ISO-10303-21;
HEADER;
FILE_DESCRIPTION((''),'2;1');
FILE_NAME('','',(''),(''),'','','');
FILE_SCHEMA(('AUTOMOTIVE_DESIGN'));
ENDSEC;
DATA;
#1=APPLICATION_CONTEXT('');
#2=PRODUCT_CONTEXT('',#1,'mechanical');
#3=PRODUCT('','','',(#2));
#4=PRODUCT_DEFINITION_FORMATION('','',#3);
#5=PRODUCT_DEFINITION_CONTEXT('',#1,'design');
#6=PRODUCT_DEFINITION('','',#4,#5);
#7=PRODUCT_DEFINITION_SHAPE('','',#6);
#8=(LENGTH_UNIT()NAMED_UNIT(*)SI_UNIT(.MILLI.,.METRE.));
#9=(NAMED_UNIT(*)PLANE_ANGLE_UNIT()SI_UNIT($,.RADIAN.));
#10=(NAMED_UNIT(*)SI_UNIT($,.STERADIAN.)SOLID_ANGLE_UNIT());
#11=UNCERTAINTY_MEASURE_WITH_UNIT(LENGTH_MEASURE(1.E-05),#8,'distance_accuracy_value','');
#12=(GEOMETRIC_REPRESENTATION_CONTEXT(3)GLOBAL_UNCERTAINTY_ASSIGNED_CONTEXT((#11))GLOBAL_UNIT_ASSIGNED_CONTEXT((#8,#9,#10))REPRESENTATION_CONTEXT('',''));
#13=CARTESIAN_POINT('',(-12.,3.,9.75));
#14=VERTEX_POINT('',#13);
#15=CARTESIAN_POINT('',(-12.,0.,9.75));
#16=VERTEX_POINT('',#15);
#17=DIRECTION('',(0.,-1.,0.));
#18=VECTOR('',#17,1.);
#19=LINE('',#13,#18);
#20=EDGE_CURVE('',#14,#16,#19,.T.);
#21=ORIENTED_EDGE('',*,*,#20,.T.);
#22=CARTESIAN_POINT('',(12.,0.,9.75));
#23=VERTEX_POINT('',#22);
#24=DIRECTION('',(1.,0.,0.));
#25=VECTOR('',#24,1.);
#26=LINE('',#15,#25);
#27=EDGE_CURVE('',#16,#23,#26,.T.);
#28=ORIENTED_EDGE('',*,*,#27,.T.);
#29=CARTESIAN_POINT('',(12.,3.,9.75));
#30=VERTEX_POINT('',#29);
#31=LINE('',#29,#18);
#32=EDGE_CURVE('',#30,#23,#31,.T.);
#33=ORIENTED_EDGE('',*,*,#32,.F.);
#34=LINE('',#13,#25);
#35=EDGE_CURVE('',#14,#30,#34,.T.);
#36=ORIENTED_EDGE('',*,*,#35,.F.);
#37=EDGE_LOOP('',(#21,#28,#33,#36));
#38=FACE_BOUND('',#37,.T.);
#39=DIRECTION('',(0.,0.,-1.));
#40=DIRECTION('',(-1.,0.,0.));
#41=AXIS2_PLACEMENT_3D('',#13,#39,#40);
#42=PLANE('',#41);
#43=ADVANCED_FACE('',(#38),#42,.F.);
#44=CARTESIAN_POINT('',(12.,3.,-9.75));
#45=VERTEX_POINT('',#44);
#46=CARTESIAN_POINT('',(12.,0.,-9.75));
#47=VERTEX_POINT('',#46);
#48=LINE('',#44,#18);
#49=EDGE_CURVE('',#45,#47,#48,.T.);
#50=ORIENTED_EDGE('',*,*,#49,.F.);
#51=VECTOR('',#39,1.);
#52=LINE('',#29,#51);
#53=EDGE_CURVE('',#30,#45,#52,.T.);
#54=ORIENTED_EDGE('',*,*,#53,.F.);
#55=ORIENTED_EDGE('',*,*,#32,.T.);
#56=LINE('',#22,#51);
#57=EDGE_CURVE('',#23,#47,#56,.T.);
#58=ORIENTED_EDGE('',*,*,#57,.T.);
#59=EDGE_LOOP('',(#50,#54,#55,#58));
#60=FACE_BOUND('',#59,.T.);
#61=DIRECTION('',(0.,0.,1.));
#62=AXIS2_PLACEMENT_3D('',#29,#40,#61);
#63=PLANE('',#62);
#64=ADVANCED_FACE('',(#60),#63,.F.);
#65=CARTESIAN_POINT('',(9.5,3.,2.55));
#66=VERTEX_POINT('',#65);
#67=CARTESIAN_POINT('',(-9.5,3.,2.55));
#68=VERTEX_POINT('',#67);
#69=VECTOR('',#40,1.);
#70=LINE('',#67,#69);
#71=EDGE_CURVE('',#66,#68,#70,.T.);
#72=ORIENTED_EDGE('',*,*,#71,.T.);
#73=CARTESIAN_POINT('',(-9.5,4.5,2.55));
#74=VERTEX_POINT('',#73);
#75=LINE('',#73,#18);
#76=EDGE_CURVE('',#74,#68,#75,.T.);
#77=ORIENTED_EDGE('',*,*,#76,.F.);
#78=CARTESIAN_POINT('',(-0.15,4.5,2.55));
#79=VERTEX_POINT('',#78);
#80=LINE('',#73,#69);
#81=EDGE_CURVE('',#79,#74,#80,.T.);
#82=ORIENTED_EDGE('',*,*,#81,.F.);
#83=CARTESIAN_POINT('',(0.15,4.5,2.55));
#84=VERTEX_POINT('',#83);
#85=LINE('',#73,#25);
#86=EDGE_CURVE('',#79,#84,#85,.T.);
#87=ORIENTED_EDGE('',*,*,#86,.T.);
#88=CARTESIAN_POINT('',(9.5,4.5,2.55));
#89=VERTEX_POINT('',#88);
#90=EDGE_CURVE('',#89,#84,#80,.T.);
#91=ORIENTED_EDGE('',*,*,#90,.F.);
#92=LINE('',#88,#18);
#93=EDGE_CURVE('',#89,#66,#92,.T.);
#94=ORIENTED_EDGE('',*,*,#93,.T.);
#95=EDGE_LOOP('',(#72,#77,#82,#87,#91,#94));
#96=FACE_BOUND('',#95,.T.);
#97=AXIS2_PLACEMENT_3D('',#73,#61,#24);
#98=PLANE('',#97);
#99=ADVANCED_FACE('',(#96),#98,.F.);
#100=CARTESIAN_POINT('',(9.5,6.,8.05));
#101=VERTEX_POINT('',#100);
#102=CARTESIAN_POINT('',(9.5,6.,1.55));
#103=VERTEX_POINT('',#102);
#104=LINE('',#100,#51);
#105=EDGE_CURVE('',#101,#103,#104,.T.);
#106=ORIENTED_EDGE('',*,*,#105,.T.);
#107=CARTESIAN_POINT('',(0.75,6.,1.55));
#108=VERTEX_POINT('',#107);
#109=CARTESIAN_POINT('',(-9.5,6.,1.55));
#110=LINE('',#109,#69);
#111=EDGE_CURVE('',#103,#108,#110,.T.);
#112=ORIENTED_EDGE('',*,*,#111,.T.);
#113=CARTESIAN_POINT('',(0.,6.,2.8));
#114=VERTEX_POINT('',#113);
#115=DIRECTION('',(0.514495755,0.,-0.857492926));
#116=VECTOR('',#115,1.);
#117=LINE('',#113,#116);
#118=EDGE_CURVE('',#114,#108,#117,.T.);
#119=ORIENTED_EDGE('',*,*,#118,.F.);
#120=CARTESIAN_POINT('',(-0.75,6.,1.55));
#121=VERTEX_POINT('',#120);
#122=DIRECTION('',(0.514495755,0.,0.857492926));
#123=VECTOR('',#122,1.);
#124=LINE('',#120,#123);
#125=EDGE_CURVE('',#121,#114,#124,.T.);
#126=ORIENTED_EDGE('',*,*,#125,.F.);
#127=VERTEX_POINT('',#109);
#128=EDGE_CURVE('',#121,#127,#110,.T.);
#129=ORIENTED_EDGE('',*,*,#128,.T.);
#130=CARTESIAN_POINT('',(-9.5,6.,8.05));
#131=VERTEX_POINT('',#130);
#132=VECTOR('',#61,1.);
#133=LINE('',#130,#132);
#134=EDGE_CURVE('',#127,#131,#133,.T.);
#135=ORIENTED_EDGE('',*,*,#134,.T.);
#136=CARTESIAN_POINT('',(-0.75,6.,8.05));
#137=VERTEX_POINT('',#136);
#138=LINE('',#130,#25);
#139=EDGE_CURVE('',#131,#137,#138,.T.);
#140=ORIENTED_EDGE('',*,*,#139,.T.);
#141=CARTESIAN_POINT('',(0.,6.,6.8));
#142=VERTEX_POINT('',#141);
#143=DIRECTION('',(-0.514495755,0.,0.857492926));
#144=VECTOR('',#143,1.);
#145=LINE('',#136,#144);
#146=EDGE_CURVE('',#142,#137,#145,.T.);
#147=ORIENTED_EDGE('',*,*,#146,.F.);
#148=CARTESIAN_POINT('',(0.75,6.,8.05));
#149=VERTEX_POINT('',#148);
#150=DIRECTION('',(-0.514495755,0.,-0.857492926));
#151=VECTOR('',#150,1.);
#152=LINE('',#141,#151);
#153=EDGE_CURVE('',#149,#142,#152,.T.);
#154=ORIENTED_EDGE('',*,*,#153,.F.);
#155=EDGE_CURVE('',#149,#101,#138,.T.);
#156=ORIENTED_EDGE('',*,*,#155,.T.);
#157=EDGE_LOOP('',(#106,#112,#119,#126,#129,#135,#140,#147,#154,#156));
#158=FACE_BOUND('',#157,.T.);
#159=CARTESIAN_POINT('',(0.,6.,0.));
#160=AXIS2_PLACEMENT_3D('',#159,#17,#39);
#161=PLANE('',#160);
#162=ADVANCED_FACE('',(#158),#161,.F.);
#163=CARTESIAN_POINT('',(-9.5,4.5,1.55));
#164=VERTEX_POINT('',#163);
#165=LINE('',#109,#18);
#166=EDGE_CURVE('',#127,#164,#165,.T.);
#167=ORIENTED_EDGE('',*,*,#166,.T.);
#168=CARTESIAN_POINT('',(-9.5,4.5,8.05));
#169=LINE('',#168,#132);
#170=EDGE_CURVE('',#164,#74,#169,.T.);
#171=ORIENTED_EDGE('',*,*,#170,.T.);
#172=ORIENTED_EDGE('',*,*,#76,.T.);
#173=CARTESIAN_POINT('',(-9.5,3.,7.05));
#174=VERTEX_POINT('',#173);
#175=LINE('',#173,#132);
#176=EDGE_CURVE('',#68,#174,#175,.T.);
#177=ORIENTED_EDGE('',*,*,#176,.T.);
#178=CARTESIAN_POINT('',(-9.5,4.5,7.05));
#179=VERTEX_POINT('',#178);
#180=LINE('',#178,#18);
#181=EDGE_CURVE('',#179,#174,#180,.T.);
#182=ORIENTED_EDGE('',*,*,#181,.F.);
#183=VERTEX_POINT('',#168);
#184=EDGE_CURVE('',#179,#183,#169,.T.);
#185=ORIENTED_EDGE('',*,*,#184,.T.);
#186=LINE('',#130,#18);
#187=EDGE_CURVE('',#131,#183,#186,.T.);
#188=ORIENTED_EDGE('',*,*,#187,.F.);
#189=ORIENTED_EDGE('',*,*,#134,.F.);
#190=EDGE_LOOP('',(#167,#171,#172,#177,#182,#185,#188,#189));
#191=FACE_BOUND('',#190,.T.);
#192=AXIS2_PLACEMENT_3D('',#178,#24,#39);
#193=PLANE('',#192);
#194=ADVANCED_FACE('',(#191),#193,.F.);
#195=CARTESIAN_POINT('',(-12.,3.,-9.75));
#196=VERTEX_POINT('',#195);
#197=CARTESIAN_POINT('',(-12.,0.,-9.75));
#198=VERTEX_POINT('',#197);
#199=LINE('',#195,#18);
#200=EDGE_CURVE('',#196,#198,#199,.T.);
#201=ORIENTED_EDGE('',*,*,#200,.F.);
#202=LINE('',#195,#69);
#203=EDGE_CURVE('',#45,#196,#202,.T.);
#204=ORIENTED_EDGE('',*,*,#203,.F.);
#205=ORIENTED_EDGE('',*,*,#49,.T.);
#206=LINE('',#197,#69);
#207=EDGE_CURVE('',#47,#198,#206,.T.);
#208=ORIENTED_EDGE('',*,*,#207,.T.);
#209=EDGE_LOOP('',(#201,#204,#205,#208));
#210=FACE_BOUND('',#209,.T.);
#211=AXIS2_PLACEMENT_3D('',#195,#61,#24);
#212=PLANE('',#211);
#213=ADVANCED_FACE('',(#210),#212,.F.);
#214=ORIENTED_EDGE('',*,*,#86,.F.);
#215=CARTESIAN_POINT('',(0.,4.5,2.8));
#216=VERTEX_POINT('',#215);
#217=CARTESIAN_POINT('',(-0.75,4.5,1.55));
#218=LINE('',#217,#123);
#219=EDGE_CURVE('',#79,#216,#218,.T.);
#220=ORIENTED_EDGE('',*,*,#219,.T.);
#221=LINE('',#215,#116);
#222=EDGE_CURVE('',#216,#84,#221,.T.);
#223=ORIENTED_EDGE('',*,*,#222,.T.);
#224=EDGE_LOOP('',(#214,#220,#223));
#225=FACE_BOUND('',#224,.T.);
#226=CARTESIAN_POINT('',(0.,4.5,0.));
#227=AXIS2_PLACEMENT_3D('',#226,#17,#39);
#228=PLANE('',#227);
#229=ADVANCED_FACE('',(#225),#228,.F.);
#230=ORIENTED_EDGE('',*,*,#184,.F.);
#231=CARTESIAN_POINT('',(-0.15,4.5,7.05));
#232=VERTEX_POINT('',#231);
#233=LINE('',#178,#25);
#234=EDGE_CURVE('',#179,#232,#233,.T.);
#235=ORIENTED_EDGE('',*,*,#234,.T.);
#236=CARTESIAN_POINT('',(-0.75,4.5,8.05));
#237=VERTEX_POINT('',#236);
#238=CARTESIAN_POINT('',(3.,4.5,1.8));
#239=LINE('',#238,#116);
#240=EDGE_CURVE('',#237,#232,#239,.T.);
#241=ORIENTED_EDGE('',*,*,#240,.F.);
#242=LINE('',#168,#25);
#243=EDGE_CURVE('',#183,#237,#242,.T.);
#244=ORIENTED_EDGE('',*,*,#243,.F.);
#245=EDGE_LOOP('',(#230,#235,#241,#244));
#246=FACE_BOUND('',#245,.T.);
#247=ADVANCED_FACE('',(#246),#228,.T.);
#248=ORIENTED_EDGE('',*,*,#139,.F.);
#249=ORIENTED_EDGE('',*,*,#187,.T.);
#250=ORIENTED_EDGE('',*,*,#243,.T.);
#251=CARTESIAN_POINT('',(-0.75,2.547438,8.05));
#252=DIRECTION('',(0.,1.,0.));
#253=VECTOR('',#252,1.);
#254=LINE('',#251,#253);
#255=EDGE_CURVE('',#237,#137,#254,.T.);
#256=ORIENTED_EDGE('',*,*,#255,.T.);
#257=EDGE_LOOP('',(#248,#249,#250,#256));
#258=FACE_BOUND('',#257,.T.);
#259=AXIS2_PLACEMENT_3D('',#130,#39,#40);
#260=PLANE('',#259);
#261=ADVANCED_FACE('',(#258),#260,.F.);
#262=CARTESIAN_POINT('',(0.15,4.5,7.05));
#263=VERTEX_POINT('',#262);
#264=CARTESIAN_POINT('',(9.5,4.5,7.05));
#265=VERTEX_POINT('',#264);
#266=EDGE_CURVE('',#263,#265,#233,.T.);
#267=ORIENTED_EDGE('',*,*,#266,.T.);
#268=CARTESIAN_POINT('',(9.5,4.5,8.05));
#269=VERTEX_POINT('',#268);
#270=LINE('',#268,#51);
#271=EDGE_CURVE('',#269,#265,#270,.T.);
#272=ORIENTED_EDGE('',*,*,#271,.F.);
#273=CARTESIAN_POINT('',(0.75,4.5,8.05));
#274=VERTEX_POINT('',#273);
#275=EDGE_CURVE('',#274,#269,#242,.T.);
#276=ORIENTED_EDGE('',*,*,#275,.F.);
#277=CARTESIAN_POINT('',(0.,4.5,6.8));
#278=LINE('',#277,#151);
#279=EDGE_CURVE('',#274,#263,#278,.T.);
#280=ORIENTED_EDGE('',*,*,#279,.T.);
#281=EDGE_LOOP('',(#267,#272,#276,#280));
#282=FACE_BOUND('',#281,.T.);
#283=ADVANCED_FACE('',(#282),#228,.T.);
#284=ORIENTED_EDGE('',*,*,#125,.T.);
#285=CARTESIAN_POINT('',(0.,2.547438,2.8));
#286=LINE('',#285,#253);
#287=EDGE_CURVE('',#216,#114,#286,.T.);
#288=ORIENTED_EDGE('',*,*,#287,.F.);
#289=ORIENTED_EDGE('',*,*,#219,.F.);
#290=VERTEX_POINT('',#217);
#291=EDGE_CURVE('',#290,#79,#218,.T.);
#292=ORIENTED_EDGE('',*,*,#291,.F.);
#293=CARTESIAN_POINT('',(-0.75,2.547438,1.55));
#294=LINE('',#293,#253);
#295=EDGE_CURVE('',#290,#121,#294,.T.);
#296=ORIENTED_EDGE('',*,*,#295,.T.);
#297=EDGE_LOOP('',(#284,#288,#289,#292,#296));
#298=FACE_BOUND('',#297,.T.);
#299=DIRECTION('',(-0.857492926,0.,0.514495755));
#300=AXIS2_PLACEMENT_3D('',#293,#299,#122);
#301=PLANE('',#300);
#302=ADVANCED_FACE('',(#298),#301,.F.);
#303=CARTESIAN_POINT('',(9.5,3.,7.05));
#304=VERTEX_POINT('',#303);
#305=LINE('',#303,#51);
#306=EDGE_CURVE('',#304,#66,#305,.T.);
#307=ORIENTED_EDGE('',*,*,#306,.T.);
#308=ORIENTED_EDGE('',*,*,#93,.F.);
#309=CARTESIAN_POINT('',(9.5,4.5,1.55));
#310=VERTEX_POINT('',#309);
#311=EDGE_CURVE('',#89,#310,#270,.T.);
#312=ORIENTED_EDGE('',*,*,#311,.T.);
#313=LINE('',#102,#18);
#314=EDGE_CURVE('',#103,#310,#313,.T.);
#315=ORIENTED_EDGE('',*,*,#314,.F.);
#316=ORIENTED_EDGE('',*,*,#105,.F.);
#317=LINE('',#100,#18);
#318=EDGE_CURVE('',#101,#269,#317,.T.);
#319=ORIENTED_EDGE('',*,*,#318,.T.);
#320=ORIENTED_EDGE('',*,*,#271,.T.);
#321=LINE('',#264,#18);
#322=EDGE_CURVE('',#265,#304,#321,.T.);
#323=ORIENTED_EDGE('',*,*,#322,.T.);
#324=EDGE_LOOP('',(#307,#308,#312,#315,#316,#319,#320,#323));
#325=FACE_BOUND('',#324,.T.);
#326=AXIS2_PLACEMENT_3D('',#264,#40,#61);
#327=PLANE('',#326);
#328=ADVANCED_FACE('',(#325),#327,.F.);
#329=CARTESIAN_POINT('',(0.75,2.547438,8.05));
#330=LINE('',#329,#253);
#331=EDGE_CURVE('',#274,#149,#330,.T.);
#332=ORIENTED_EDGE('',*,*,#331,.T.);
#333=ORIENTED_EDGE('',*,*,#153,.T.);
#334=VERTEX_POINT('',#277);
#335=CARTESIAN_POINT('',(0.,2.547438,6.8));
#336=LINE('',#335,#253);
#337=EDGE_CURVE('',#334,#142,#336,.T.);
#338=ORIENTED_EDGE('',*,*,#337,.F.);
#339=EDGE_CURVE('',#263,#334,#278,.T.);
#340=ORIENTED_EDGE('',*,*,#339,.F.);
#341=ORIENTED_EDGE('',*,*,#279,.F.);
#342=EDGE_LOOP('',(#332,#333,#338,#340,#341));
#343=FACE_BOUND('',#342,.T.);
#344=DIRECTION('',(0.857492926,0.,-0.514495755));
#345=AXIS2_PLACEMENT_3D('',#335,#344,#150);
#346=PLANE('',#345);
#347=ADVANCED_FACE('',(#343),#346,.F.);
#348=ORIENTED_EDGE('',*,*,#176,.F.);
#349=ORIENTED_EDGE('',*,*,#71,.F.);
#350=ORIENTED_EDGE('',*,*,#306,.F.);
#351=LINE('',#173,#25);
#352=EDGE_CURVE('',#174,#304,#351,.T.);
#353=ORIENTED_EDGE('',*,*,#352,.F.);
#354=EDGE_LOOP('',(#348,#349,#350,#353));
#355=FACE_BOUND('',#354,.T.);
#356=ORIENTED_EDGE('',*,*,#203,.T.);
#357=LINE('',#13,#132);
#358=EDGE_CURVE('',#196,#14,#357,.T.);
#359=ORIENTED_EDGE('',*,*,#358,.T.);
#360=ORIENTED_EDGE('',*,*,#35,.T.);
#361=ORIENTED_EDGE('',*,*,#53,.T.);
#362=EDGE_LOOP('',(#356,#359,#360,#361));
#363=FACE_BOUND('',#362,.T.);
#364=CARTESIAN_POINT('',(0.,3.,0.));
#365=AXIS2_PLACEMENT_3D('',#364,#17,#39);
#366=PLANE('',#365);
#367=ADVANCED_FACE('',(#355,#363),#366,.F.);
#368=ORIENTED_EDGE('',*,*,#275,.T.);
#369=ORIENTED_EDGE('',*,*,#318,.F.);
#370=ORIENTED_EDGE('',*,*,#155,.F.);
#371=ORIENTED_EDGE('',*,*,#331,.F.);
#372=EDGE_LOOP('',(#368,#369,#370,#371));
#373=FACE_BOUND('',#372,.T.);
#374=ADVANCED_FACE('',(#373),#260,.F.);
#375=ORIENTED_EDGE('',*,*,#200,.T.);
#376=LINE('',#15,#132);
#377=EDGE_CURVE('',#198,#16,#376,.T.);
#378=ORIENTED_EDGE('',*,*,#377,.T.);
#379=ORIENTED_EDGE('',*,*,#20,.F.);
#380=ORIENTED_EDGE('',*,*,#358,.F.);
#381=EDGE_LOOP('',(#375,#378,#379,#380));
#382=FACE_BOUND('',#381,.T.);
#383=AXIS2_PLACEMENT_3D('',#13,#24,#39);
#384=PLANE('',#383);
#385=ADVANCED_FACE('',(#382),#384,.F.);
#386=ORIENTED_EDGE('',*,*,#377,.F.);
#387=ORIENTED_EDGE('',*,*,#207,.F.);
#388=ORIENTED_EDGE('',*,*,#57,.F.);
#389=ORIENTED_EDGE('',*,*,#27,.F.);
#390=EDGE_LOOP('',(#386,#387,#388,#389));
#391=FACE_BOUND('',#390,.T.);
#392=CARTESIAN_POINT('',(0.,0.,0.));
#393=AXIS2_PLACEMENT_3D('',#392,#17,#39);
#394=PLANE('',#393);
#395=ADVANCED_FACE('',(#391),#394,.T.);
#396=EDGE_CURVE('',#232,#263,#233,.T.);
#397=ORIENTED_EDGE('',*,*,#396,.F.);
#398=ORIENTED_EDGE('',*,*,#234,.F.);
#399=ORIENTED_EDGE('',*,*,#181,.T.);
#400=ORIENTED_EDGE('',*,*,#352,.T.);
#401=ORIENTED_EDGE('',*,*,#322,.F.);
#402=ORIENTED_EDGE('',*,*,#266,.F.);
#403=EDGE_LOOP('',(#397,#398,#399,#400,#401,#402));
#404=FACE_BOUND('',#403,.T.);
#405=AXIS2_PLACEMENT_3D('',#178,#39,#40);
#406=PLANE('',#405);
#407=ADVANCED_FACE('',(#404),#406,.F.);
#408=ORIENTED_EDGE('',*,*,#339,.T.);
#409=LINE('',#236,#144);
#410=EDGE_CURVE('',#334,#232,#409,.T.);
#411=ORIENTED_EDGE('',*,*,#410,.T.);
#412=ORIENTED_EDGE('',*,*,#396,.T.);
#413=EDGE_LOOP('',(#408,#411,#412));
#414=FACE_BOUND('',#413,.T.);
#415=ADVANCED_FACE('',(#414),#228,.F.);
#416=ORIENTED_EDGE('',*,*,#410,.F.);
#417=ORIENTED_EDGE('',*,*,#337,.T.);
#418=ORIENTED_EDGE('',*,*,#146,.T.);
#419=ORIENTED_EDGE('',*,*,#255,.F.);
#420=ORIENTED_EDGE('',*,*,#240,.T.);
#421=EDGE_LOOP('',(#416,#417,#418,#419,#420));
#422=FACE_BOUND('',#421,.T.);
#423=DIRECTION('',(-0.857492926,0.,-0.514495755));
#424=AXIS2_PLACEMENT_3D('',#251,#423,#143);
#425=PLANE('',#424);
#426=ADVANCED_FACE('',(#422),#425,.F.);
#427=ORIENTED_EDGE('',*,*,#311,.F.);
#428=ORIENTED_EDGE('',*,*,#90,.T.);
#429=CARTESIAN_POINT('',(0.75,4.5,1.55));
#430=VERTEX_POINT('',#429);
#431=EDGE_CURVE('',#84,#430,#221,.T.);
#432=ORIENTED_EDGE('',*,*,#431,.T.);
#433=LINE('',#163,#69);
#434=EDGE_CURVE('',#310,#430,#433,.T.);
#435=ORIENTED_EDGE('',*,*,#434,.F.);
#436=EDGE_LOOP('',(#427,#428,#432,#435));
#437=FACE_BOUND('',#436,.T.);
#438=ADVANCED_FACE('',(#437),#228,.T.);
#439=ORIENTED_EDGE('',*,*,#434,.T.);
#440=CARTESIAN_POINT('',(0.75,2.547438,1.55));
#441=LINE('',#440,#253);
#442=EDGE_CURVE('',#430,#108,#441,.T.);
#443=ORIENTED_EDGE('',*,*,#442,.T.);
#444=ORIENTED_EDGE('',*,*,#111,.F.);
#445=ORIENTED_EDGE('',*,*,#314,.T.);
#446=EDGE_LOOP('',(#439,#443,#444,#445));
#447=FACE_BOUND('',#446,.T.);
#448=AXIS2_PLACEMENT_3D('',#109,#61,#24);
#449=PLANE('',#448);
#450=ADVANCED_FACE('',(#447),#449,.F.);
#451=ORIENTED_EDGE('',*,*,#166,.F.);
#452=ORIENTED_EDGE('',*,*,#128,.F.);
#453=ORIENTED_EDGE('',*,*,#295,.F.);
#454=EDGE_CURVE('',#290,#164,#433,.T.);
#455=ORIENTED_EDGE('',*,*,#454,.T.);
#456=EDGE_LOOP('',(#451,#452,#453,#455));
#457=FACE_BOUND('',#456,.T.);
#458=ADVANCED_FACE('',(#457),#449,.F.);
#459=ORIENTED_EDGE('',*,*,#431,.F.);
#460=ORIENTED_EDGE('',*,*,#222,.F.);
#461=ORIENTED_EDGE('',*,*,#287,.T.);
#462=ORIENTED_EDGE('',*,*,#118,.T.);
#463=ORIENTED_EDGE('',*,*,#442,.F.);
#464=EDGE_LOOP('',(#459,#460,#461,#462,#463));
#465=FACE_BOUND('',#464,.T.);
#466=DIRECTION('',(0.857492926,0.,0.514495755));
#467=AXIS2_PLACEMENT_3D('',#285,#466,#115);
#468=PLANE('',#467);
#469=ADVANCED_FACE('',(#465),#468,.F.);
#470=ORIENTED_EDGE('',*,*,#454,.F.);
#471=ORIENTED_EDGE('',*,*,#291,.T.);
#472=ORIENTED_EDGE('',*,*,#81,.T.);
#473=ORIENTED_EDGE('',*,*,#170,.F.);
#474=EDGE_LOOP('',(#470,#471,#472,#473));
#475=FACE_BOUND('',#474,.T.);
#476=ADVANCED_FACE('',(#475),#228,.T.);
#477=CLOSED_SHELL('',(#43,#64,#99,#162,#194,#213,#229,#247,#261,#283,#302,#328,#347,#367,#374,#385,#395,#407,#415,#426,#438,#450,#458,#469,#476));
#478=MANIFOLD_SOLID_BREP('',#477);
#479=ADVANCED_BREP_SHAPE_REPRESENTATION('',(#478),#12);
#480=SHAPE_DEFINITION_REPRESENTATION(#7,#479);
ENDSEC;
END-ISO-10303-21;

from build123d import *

# Parameters (mm, degrees)
SKETCH1_W           = 24
SKETCH1_H           = 19.5
BOSS_EXTRUDE1_DEPTH = 3
SKETCH3_W           = 19
SKETCH3_H           = 4.5
BOSS_EXTRUDE2_DEPTH = 1.5
SKETCH4_W           = 19
SKETCH4_H           = 6.5
BOSS_EXTRUDE3_DEPTH = 1.5
CUT_EXTRUDE1_DEPTH  = 1.5


with BuildPart() as part:
    # Sketch1 → Boss-Extrude1 (new body)
    with BuildSketch(Plane(origin=(0, 0, 0), x_dir=(1, 0, 0), z_dir=(0, 1, 0))):
        Rectangle(SKETCH1_W, SKETCH1_H)
    extrude(amount=BOSS_EXTRUDE1_DEPTH)

    # Sketch3 → Boss-Extrude2 (add)
    with BuildSketch(Plane(origin=(0, 3, 0), x_dir=(1, 0, 0), z_dir=(0, 1, 0))):
        with Locations((0, -4.8)):
            Rectangle(SKETCH3_W, SKETCH3_H)
    extrude(amount=BOSS_EXTRUDE2_DEPTH)

    # Sketch4 → Boss-Extrude3 (add)
    with BuildSketch(Plane(origin=(0, 4.5, 0), x_dir=(1, 0, 0), z_dir=(0, 1, 0))):
        with Locations((0, -4.8)):
            Rectangle(SKETCH4_W, SKETCH4_H)
    extrude(amount=BOSS_EXTRUDE3_DEPTH)

    # Sketch5 → Cut-Extrude1 (cut)
    with BuildSketch(Plane(origin=(0, 6, 0), x_dir=(1, 0, 0), z_dir=(0, 1, 0))):
        Polygon((0, -2.8), (0.75, -1.55), (-0.75, -1.55), align=None)
        Polygon((0, -6.8), (0.75, -8.05), (-0.75, -8.05), align=None)
    extrude(amount=-CUT_EXTRUDE1_DEPTH, mode=Mode.SUBTRACT)


solid = part.part
